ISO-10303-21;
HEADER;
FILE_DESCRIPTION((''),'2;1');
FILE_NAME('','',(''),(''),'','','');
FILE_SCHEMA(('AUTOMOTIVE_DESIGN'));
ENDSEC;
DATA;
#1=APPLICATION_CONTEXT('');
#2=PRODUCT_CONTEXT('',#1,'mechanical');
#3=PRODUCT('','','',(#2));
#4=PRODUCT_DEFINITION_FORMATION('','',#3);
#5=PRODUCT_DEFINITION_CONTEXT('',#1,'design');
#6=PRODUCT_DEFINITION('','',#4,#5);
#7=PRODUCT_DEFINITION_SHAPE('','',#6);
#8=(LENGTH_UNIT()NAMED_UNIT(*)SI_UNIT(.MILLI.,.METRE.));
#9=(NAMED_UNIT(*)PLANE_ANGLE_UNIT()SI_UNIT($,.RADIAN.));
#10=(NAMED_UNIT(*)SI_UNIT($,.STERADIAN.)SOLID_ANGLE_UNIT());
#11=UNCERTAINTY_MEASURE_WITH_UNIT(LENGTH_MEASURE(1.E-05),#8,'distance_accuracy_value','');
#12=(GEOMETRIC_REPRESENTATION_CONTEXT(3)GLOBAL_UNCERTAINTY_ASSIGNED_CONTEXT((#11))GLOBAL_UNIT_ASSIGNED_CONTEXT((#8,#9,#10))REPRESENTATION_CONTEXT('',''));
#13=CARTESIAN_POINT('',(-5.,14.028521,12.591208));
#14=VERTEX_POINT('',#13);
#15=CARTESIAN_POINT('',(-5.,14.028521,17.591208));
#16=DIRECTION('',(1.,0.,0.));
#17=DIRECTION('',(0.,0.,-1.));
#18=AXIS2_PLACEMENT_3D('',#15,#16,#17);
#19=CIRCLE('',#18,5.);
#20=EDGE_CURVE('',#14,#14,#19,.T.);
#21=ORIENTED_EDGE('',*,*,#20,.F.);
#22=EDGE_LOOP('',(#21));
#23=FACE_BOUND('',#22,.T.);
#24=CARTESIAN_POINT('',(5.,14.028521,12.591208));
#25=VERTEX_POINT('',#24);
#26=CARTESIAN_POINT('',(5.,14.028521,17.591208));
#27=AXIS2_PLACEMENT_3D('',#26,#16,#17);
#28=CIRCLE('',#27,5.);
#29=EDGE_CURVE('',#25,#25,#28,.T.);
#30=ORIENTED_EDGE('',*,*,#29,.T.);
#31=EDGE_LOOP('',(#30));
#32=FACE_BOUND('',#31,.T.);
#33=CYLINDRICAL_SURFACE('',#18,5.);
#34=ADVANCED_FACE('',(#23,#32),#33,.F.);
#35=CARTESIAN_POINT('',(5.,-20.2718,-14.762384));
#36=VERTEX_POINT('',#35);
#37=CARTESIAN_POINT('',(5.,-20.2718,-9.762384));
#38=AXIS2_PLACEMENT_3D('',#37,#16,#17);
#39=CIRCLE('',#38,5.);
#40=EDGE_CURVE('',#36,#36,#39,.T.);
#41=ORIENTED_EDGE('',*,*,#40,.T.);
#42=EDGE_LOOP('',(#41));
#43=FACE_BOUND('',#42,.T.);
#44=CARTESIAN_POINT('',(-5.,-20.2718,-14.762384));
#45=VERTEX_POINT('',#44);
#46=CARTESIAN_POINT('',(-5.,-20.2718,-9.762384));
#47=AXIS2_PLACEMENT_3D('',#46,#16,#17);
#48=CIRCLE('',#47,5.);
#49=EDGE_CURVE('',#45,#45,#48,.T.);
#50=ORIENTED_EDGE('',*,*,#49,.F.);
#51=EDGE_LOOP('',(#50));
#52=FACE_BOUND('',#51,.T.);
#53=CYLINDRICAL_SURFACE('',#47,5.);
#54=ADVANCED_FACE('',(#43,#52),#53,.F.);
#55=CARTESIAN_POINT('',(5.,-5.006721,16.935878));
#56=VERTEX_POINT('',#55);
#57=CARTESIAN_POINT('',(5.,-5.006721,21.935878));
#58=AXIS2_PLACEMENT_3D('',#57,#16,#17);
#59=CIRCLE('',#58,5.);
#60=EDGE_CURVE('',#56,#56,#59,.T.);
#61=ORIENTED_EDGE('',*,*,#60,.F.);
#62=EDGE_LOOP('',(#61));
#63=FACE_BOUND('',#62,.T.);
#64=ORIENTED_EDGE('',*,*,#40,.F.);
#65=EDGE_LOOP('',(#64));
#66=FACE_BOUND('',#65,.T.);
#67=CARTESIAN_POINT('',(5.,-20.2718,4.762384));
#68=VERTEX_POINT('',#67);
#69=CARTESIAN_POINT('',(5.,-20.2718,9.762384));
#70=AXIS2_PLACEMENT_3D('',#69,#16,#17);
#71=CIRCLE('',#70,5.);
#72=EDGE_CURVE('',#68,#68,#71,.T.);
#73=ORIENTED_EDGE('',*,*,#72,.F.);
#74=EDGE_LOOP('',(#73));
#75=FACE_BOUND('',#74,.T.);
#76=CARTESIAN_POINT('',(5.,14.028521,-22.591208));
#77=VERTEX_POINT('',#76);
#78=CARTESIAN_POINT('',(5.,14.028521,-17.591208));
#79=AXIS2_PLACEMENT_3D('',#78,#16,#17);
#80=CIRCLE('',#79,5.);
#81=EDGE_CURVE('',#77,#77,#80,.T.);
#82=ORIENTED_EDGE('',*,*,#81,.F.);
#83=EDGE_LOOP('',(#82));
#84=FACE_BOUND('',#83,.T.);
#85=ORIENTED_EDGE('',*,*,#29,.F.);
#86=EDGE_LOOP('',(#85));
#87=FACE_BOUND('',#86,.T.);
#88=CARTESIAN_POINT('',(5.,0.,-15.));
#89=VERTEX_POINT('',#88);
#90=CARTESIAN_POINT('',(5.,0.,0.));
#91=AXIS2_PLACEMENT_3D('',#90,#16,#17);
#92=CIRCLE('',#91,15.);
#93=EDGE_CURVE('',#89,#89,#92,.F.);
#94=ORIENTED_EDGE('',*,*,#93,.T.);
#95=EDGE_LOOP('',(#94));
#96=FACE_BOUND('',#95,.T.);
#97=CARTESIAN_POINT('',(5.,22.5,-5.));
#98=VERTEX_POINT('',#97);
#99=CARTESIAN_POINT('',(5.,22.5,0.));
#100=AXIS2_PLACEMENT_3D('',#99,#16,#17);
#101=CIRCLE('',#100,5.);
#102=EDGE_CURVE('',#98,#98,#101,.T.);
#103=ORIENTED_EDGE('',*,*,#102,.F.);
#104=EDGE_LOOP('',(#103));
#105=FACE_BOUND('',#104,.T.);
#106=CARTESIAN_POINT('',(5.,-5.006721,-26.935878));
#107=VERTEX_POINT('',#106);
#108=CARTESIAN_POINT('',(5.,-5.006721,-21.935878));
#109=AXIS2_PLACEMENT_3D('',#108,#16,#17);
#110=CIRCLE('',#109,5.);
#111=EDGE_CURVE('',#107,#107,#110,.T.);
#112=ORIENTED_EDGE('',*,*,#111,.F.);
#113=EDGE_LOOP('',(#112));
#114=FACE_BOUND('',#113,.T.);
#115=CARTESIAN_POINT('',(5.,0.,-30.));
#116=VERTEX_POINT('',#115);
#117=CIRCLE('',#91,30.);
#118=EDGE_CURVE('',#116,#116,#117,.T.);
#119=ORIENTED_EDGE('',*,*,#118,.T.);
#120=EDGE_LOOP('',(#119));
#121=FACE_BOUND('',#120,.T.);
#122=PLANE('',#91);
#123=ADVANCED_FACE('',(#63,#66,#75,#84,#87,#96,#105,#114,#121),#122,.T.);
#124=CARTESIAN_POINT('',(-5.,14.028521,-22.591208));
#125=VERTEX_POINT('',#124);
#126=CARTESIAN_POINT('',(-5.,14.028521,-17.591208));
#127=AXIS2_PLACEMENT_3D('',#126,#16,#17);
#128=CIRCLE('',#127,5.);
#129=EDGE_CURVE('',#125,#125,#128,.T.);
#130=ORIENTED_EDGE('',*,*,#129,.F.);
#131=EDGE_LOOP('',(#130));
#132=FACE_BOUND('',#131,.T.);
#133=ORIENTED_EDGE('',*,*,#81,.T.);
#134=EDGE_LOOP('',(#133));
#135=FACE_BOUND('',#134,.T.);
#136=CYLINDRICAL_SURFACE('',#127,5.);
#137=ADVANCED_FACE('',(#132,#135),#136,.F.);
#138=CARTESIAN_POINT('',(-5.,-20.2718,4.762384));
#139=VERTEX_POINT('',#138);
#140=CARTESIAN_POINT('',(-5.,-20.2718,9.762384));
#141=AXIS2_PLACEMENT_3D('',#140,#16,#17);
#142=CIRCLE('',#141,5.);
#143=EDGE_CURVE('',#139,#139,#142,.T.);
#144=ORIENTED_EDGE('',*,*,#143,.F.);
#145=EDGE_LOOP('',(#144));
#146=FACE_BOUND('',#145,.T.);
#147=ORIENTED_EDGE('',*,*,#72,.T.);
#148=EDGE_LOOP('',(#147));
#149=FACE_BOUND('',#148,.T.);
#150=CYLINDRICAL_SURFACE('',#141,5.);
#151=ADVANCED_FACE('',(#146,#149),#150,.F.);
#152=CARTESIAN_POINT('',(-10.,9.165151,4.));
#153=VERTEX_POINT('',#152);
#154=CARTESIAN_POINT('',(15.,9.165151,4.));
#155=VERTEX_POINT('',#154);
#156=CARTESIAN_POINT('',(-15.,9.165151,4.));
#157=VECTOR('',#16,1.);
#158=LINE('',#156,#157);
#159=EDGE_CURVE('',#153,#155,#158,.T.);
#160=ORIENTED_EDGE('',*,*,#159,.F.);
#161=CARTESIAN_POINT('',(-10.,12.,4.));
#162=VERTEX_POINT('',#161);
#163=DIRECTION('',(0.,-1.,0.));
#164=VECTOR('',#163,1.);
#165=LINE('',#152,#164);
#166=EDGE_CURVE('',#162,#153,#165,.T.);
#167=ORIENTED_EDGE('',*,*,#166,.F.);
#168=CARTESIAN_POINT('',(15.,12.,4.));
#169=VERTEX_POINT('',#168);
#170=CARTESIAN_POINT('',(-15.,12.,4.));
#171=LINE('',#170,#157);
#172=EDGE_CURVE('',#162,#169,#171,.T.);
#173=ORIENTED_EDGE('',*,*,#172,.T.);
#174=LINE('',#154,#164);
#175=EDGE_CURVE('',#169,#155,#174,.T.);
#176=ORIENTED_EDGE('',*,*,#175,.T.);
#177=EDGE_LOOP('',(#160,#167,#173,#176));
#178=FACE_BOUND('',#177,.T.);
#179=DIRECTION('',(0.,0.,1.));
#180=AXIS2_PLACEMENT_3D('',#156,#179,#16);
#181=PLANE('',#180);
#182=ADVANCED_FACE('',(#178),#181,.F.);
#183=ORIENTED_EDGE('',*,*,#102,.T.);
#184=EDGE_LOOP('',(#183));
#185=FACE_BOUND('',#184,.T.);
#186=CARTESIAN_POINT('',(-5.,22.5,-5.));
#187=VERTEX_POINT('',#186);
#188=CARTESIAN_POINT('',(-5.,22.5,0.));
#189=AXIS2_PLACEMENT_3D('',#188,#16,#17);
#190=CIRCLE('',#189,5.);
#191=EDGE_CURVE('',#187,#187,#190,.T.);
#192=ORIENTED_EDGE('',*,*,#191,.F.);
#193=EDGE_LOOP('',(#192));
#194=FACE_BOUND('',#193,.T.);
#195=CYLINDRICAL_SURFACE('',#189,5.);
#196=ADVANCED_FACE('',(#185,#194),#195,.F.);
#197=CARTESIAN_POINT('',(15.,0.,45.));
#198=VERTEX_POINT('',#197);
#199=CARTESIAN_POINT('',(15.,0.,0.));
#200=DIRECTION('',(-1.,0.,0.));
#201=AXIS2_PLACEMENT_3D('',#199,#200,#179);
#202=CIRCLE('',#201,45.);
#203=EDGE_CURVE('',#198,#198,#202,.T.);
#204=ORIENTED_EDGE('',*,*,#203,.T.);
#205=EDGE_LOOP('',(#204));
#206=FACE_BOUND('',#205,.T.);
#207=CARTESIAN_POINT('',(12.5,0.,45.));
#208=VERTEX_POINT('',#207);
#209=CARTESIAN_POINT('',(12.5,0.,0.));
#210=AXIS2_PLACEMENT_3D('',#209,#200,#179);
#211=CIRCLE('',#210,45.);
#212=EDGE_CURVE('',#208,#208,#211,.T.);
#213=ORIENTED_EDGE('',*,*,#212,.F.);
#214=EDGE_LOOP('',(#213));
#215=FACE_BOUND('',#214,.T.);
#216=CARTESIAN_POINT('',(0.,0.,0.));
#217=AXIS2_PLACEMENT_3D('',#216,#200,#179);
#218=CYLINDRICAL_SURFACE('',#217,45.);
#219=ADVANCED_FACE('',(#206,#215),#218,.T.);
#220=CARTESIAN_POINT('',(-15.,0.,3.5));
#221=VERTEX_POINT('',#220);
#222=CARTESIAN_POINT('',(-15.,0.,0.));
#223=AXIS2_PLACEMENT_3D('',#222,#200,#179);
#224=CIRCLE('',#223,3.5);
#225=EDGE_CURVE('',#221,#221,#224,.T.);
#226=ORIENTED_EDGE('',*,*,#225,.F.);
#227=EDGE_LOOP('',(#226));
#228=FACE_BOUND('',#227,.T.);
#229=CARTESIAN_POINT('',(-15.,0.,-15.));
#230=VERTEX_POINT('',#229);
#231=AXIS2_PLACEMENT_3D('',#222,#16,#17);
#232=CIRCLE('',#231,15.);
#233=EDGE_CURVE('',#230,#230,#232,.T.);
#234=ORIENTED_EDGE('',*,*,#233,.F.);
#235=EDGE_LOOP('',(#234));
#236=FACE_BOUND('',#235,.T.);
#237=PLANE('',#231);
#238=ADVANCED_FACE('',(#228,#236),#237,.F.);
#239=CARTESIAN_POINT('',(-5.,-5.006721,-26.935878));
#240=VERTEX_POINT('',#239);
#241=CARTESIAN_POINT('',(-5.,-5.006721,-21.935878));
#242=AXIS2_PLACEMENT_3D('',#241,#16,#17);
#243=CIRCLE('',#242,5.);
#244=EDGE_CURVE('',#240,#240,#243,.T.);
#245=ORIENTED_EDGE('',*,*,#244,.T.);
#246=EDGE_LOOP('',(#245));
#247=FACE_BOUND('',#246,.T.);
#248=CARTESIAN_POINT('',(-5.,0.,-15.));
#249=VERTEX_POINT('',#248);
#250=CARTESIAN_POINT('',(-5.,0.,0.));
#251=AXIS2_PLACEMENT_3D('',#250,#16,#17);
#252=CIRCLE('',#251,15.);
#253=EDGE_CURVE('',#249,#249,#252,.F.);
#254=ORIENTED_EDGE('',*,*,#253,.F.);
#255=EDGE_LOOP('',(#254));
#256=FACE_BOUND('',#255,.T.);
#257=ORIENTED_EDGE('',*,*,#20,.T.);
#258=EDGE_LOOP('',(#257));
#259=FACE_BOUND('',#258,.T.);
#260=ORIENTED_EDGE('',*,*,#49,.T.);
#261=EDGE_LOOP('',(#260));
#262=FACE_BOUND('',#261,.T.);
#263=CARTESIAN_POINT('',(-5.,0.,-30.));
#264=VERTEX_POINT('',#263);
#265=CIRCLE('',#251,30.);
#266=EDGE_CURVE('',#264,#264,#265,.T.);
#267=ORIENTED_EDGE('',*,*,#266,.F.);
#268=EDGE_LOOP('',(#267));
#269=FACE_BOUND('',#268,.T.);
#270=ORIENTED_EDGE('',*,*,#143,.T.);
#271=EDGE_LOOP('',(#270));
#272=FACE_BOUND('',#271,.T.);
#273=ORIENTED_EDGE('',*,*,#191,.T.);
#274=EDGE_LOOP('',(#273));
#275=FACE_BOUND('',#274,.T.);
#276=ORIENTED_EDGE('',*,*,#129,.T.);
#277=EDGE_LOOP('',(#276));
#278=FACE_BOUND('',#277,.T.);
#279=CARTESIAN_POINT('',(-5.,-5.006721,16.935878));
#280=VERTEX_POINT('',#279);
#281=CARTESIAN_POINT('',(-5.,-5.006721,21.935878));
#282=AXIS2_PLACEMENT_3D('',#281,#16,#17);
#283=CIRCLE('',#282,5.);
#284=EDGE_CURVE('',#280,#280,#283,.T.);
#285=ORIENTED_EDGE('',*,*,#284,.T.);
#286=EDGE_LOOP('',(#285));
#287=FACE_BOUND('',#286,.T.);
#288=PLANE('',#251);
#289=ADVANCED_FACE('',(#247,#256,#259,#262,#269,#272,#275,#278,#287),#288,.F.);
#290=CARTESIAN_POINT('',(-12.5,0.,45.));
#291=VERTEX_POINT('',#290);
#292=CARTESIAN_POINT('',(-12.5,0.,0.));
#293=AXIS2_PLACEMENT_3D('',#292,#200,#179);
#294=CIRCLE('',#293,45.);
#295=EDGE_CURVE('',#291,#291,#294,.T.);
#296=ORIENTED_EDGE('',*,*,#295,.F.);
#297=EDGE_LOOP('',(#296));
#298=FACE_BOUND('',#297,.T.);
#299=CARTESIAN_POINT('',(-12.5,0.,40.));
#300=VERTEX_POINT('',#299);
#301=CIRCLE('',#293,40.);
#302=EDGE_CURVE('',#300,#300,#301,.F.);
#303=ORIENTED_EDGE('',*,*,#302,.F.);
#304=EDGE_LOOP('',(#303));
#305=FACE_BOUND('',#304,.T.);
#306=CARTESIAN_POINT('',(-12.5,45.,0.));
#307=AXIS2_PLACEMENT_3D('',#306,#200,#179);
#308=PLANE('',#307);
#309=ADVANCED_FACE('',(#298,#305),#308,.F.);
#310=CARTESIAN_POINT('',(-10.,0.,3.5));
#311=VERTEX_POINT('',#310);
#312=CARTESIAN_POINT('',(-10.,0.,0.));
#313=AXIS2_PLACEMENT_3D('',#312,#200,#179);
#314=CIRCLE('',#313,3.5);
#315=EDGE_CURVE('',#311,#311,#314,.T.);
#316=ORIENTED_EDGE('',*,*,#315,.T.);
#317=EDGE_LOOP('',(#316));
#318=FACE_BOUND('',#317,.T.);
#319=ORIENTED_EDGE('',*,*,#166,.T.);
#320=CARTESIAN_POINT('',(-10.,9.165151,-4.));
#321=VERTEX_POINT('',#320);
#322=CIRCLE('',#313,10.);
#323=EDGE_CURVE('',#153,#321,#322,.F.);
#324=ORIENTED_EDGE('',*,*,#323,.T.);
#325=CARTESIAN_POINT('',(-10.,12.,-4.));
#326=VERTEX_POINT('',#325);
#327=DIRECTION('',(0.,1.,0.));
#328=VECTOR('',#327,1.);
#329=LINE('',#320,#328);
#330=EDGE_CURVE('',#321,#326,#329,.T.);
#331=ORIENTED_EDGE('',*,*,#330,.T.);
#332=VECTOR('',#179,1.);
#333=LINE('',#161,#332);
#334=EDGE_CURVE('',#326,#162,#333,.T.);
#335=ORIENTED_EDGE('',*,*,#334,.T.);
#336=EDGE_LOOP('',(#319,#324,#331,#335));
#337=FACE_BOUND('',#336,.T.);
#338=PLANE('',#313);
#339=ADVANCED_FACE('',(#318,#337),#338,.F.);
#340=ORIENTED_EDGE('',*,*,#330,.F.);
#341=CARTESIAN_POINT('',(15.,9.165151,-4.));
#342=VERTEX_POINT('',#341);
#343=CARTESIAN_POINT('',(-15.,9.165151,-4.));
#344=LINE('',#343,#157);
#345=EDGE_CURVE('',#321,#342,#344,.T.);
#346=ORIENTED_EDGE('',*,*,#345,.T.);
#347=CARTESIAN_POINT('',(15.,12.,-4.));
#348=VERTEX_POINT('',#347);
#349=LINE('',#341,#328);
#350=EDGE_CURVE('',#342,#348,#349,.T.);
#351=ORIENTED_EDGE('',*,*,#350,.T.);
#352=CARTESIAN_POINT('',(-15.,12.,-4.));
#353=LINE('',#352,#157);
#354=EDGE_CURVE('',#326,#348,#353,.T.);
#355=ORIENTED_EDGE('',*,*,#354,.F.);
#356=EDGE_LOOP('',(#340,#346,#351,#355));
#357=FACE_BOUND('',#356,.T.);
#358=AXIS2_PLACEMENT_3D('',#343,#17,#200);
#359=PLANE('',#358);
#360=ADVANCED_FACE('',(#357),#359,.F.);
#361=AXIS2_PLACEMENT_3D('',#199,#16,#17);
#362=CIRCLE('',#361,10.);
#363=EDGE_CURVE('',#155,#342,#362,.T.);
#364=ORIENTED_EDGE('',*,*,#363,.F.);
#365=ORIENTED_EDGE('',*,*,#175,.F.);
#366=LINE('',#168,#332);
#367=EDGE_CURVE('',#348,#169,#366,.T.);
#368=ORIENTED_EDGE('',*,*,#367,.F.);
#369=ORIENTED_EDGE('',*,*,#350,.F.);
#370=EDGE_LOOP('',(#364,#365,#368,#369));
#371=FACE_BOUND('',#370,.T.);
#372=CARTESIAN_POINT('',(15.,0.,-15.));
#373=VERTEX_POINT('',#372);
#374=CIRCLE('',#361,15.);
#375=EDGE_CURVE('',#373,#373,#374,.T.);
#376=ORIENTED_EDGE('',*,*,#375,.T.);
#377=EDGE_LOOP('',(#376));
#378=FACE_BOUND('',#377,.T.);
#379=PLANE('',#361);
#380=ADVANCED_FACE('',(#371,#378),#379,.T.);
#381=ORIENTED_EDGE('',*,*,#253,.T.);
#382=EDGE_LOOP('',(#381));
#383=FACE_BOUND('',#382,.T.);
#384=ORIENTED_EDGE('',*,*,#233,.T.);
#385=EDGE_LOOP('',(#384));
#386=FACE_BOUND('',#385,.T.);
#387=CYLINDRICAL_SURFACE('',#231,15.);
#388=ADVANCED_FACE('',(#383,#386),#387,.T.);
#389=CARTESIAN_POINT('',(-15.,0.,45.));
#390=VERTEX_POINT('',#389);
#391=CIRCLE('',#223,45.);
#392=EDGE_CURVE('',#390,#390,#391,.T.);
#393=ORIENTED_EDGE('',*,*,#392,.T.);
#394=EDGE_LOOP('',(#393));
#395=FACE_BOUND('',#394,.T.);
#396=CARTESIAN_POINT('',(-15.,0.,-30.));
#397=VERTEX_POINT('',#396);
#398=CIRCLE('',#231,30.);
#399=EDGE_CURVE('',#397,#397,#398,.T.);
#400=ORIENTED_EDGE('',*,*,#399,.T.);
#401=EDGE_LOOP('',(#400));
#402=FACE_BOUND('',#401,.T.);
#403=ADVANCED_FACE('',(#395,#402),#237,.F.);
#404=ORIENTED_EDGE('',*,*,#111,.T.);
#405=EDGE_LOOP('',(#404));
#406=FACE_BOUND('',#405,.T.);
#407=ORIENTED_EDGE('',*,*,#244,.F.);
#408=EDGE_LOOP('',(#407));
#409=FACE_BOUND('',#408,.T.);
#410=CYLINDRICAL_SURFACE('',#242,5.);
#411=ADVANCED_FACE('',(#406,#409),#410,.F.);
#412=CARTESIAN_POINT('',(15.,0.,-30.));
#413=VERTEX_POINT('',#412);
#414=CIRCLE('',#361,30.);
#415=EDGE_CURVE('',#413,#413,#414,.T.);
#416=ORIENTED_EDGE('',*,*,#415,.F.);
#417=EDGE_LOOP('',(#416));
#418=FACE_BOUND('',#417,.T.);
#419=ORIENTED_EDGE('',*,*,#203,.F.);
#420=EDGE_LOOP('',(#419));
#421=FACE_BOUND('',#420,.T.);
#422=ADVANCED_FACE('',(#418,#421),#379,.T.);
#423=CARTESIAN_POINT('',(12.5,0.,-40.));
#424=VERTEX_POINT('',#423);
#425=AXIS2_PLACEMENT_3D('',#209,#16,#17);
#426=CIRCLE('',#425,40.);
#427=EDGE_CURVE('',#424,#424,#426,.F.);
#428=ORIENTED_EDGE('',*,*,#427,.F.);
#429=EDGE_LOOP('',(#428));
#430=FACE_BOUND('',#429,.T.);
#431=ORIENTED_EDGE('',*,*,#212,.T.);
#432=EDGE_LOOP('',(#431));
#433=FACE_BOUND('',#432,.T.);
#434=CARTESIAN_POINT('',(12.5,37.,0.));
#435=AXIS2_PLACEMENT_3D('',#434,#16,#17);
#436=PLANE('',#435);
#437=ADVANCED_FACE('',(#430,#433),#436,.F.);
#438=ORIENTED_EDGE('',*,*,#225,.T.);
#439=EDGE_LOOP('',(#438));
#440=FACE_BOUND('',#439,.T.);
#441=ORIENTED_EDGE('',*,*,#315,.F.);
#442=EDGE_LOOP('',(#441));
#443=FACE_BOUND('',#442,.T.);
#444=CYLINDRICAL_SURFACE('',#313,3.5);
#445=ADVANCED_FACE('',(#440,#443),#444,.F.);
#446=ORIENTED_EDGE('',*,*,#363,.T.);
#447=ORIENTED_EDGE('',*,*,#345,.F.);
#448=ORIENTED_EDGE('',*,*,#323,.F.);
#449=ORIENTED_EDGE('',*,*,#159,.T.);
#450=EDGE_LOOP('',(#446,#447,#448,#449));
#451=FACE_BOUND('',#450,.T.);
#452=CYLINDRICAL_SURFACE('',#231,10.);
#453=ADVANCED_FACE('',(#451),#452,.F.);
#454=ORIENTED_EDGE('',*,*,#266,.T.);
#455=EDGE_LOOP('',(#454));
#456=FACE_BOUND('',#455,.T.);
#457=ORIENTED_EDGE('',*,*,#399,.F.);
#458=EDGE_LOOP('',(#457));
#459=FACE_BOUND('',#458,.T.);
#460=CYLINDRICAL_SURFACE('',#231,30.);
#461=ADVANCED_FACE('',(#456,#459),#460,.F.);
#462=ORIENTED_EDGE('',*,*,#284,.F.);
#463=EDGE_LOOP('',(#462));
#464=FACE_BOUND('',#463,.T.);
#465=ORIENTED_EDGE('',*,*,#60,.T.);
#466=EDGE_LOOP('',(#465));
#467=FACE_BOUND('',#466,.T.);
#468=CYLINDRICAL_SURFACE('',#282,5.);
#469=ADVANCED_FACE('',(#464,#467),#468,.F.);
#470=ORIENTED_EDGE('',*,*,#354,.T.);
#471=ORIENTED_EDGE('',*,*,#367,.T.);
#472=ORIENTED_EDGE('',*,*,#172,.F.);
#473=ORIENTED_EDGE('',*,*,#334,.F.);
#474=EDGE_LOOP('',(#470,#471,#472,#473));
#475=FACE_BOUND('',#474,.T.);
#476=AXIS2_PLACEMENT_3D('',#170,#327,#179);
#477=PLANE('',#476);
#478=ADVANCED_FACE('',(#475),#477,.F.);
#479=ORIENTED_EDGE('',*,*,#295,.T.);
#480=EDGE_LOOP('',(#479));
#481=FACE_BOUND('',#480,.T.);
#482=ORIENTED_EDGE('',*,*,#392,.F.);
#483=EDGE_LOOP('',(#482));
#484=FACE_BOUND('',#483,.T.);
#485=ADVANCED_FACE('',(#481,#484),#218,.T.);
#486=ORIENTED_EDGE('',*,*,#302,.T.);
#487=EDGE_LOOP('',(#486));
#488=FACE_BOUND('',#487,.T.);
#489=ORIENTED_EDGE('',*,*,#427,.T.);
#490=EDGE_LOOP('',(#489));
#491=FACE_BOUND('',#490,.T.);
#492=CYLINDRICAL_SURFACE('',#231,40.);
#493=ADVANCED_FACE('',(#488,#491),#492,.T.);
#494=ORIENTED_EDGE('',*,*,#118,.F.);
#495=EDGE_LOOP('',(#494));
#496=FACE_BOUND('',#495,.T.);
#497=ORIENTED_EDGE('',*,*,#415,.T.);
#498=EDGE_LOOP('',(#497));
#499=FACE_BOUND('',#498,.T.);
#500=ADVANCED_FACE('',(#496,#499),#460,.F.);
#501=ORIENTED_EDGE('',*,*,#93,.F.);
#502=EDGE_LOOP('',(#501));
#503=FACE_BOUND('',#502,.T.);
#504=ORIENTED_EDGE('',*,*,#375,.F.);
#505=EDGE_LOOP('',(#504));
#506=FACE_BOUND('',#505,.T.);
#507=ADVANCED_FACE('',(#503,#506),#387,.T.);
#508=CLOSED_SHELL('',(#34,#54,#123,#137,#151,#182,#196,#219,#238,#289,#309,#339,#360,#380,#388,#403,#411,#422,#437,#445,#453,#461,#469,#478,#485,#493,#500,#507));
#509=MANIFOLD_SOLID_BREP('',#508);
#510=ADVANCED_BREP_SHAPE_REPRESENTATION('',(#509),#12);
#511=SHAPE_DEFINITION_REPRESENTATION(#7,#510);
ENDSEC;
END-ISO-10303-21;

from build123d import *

# Parameters (mm, degrees)
BOSS_EXTRUDE1_DEPTH      = 15
BOSS_EXTRUDE1_DEPTH_BACK = 15
SKETCH1_R                = 15
SKETCH2_R                = 13
SKETCH2_R_2              = 3.5
BOSS_EXTRUDE2_DEPTH      = 5
BOSS_EXTRUDE3_DEPTH      = 5
BOSS_EXTRUDE3_DEPTH_BACK = 5
SKETCH3_R                = 30
SKETCH3_R_2              = 5
SKETCH3_R_3              = 13.5
BOSS_EXTRUDE4_DEPTH      = 15
BOSS_EXTRUDE4_DEPTH_BACK = 15
SKETCH4_R                = 40
SKETCH4_R_2              = 30


with BuildPart() as part:
    # Sketch1 → Boss-Extrude1 (new, two sides: drawn at the far end of the back side and taken through both)
    with BuildSketch(Plane(origin=(0, 0, 0), x_dir=(0, 0, -1), z_dir=(1, 0, 0)).offset(-BOSS_EXTRUDE1_DEPTH_BACK)):
        Circle(SKETCH1_R)
        with BuildLine():
            Line((-4, 9.16515139), (-4, 12))
            Line((-4, 12), (4, 12))
            Line((4, 12), (4, 9.16515139))
            ThreePointArc((4, 9.16515139), (0, -10), (-4, 9.16515139))
        make_face(mode=Mode.SUBTRACT)
    extrude(amount=BOSS_EXTRUDE1_DEPTH + BOSS_EXTRUDE1_DEPTH_BACK)

    # Sketch2 → Boss-Extrude2 (add)
    with BuildSketch(Plane.ZY.offset(15)):
        Circle(SKETCH2_R)
        Circle(SKETCH2_R_2, mode=Mode.SUBTRACT)
    extrude(amount=-BOSS_EXTRUDE2_DEPTH)

    # Sketch3 → Boss-Extrude3 (add, two sides: drawn at the far end of the back side and taken through both)
    with BuildSketch(Plane(origin=(0, 0, 0), x_dir=(0, 0, -1), z_dir=(1, 0, 0)).offset(-BOSS_EXTRUDE3_DEPTH_BACK)):
        Circle(SKETCH3_R)
        with Locations((0, 22.5)):
            Circle(SKETCH3_R_2, mode=Mode.SUBTRACT)
        with Locations((17.591208356, 14.028520542)):
            Circle(SKETCH3_R_2, mode=Mode.SUBTRACT)
        with Locations((21.935878024, -5.006721014)):
            Circle(SKETCH3_R_2, mode=Mode.SUBTRACT)
        with Locations((9.76238413, -20.271799528)):
            Circle(SKETCH3_R_2, mode=Mode.SUBTRACT)
        with Locations((-9.76238413, -20.271799528)):
            Circle(SKETCH3_R_2, mode=Mode.SUBTRACT)
        with Locations((-21.935878024, -5.006721014)):
            Circle(SKETCH3_R_2, mode=Mode.SUBTRACT)
        with Locations((-17.591208356, 14.028520542)):
            Circle(SKETCH3_R_2, mode=Mode.SUBTRACT)
        Circle(SKETCH3_R_3, mode=Mode.SUBTRACT)
    extrude(amount=BOSS_EXTRUDE3_DEPTH + BOSS_EXTRUDE3_DEPTH_BACK)

    # Sketch4 → Boss-Extrude4 (add, two sides: drawn at the far end of the back side and taken through both)
    with BuildSketch(Plane(origin=(0, 0, 0), x_dir=(0, 0, -1), z_dir=(1, 0, 0)).offset(-BOSS_EXTRUDE4_DEPTH_BACK)):
        Circle(SKETCH4_R)
        Circle(SKETCH4_R_2, mode=Mode.SUBTRACT)
    extrude(amount=BOSS_EXTRUDE4_DEPTH + BOSS_EXTRUDE4_DEPTH_BACK)

    # Sketch5 → Revolve1 (revolve)
    with BuildSketch(Plane.XY):
        Polygon((-15, 36), (-15, 45), (-12.5, 45), (-12.5, 37), (12.5, 37), (12.5, 45), (15, 45), (15, 36), align=None)
    revolve(axis=Axis((0, 0, 0), (1, 0, 0)))


solid = part.part
